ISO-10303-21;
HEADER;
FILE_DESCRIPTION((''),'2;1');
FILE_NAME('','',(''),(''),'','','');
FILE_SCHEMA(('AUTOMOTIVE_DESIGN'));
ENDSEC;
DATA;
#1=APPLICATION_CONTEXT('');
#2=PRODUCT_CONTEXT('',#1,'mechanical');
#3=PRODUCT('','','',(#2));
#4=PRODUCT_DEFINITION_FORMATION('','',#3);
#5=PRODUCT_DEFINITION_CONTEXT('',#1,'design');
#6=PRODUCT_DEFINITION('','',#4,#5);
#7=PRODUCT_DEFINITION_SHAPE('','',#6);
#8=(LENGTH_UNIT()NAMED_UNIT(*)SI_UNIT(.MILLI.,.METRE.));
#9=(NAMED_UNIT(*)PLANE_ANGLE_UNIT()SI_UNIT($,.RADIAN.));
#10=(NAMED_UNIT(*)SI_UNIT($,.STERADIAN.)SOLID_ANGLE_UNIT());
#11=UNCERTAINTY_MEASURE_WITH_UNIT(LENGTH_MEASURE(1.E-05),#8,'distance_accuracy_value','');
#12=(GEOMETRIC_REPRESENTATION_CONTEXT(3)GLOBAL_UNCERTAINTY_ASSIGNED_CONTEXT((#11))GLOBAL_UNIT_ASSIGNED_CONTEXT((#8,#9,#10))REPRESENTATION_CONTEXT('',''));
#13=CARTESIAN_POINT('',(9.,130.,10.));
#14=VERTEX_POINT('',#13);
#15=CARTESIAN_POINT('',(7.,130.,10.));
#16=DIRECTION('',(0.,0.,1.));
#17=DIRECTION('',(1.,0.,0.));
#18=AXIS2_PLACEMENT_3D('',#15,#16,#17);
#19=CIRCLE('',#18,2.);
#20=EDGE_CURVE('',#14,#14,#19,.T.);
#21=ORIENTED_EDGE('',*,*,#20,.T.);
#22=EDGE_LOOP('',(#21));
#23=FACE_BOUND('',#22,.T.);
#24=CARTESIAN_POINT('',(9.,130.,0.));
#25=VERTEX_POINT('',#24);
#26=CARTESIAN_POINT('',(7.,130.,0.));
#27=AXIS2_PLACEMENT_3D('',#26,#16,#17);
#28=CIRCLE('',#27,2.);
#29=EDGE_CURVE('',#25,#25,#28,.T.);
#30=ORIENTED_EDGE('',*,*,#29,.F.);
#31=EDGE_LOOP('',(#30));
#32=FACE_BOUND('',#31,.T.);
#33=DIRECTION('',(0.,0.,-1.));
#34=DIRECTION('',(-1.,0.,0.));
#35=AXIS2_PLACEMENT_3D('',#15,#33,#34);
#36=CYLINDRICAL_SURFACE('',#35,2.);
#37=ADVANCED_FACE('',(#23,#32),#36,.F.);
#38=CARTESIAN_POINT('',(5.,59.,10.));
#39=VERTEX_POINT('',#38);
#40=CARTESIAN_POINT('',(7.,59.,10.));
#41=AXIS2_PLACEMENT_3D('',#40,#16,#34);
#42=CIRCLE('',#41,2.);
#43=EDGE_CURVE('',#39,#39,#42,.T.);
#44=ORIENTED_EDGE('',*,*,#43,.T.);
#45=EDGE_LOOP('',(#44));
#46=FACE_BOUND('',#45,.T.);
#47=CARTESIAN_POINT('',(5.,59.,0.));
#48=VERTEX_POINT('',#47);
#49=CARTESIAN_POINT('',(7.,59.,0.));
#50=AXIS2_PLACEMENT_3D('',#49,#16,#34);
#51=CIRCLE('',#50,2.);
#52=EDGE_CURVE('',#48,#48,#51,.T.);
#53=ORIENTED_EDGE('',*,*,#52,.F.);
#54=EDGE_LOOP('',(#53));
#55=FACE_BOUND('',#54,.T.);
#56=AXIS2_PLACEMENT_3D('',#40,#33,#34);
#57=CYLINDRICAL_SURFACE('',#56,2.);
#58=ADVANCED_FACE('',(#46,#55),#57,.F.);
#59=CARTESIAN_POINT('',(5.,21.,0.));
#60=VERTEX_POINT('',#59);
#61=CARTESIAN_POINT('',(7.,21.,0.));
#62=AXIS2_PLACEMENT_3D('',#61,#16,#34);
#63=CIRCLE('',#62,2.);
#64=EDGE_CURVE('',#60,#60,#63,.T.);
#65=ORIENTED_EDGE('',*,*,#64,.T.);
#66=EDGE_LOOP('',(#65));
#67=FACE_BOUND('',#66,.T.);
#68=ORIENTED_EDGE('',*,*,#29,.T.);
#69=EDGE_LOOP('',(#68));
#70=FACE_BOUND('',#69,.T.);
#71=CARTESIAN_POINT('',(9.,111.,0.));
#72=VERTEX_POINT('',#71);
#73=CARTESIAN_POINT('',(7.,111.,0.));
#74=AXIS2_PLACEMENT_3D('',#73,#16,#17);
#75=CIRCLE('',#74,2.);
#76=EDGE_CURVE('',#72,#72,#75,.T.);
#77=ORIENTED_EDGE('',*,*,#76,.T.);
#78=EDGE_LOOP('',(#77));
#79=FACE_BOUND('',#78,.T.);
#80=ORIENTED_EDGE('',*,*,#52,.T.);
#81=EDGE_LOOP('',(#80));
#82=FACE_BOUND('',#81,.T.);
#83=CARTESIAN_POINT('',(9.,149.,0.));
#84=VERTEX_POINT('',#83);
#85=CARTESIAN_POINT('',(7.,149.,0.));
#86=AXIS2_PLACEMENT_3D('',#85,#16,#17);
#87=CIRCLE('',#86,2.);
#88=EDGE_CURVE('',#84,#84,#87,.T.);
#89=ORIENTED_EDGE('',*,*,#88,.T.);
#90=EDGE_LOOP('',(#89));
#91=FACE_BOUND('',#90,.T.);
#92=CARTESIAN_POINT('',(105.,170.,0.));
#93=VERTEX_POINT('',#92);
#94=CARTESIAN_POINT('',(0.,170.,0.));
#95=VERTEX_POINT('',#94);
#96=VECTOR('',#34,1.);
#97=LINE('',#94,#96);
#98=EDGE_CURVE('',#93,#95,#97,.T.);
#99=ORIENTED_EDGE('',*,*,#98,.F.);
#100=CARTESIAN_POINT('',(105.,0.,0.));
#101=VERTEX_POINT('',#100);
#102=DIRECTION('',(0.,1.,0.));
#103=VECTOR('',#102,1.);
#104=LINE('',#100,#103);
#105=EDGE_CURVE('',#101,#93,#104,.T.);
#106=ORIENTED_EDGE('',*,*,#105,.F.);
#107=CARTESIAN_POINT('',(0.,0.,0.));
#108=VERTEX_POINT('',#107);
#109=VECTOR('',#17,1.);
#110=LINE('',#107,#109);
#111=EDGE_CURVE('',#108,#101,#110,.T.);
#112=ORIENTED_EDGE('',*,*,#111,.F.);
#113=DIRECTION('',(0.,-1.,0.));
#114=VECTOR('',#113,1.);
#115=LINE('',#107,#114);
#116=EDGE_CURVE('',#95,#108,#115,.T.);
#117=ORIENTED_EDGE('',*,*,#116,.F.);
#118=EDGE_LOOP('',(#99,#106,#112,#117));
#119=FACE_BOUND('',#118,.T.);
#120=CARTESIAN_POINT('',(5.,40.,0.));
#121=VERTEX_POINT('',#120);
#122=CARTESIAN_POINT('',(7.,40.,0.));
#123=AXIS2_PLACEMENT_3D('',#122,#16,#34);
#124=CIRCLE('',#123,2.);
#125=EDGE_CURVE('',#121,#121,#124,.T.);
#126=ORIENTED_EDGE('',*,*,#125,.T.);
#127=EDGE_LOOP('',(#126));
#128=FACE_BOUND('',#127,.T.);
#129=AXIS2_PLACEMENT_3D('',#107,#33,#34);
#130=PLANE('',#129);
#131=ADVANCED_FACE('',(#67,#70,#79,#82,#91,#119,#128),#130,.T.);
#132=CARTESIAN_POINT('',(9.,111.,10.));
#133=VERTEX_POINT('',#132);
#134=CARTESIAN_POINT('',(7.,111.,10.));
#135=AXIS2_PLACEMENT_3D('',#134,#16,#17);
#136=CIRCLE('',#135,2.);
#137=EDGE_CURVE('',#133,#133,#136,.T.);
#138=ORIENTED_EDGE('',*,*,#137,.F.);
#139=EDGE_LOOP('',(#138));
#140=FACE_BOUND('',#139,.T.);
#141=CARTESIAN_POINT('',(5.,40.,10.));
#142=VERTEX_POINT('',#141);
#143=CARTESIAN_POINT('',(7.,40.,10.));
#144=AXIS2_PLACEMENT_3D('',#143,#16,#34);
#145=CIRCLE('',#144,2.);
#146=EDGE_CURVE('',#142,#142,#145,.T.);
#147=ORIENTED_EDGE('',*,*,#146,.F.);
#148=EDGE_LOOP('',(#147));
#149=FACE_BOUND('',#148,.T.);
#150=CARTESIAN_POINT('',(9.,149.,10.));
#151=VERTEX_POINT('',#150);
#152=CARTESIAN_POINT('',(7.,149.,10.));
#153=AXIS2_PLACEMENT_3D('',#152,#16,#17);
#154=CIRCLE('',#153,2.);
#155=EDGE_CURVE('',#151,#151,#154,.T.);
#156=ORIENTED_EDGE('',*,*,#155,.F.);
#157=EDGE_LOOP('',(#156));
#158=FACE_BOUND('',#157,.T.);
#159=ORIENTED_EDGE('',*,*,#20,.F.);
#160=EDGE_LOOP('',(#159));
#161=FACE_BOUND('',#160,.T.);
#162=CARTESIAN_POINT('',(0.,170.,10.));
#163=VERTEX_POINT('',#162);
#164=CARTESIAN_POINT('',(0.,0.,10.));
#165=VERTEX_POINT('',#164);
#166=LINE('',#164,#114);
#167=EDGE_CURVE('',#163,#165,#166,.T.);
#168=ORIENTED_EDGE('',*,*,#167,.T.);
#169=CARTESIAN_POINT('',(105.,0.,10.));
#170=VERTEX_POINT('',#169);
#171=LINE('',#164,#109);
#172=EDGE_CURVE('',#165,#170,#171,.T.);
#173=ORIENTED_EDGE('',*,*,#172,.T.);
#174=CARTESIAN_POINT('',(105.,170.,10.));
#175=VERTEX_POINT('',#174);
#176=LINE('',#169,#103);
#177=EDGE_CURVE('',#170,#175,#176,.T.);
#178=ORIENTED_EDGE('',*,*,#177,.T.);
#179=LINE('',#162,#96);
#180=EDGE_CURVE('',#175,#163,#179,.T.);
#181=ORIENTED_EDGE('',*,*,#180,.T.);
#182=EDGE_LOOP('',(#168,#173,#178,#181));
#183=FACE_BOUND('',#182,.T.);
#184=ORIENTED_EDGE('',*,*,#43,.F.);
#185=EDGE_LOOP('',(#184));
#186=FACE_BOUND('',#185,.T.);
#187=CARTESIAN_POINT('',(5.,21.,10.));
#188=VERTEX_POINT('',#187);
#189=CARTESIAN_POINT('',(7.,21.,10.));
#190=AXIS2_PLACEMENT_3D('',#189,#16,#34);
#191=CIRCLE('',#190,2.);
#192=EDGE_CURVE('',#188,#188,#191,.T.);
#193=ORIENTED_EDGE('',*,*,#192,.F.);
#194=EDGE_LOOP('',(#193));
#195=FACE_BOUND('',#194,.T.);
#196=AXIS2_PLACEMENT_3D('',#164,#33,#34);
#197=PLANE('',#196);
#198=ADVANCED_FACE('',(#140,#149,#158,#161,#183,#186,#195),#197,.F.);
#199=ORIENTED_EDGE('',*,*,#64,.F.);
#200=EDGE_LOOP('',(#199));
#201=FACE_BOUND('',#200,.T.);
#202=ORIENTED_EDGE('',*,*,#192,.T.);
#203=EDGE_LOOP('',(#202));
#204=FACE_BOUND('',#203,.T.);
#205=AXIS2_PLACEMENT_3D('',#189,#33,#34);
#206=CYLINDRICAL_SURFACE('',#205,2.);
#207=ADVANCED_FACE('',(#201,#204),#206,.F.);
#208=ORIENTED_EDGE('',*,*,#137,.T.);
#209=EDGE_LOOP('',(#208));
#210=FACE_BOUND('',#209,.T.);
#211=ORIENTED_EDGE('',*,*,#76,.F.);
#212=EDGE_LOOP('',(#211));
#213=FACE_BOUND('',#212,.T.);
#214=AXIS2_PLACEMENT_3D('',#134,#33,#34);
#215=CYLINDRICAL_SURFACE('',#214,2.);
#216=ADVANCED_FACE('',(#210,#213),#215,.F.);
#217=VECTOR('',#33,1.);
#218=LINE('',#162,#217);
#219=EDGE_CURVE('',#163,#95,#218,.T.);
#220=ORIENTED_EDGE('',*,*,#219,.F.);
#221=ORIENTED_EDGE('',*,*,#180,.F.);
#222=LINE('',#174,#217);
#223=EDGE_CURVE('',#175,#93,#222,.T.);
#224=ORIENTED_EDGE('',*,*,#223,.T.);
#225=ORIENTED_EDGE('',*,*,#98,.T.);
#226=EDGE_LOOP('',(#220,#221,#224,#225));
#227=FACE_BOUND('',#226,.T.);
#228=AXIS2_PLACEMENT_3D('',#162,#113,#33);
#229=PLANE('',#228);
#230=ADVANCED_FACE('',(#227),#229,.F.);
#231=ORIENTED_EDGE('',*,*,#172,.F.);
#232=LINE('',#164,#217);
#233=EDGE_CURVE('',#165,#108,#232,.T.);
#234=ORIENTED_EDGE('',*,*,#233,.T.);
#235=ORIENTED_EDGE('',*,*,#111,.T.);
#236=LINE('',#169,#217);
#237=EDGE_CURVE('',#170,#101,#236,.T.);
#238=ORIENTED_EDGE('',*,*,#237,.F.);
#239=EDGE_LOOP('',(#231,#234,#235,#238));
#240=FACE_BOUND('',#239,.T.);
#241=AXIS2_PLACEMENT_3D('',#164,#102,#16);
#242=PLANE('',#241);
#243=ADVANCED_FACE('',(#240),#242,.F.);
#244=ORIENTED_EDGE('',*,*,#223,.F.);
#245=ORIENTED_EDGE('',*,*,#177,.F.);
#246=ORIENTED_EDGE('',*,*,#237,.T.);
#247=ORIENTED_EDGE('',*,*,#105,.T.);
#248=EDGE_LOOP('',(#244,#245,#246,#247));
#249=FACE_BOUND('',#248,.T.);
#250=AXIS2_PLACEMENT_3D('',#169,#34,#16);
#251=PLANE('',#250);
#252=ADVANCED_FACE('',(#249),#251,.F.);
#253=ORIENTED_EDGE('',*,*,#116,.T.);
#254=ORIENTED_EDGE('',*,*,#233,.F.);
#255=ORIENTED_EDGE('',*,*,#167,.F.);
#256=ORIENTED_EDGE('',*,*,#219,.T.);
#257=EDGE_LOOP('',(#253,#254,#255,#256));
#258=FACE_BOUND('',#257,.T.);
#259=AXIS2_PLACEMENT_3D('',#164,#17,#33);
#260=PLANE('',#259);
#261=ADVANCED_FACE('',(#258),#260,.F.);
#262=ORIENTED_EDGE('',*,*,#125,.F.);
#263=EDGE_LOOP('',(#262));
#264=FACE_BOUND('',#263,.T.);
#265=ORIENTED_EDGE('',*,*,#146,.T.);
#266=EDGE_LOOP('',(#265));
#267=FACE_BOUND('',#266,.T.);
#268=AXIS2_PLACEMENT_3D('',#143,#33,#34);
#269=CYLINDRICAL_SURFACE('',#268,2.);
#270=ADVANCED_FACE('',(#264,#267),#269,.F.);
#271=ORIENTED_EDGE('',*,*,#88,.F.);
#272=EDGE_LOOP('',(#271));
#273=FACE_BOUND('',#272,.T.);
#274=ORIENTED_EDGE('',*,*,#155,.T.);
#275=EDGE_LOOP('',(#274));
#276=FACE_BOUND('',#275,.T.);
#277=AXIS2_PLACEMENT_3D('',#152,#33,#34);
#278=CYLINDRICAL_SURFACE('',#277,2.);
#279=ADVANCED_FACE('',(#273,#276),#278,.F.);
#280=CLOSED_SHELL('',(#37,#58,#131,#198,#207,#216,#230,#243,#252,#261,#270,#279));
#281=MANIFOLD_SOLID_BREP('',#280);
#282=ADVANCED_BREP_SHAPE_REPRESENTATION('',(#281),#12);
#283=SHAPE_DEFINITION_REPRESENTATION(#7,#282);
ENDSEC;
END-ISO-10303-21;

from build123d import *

# Parameters (mm, degrees)
SKETCH_1_W      = 105
SKETCH_1_H      = 170
SKETCH_1_R      = 2
EXTRUDE_1_DEPTH = 10


with BuildPart() as part:
    # Эскиз1 → Бобышка-Вытянуть1 (new body)
    with BuildSketch(Plane.XY):
        with Locations((52.5, 85)):
            Rectangle(SKETCH_1_W, SKETCH_1_H)
        with Locations((7, 111)):
            Circle(SKETCH_1_R, mode=Mode.SUBTRACT)
        with Locations((7, 130)):
            Circle(SKETCH_1_R, mode=Mode.SUBTRACT)
        with Locations((7, 149)):
            Circle(SKETCH_1_R, mode=Mode.SUBTRACT)
        with Locations(Location((7, 21, 0), (0, 0, 180))):
            Circle(SKETCH_1_R, mode=Mode.SUBTRACT)
        with Locations(Location((7, 40, 0), (0, 0, 180))):
            Circle(SKETCH_1_R, mode=Mode.SUBTRACT)
        with Locations(Location((7, 59, 0), (0, 0, 180))):
            Circle(SKETCH_1_R, mode=Mode.SUBTRACT)
    extrude(amount=EXTRUDE_1_DEPTH)


solid = part.part
